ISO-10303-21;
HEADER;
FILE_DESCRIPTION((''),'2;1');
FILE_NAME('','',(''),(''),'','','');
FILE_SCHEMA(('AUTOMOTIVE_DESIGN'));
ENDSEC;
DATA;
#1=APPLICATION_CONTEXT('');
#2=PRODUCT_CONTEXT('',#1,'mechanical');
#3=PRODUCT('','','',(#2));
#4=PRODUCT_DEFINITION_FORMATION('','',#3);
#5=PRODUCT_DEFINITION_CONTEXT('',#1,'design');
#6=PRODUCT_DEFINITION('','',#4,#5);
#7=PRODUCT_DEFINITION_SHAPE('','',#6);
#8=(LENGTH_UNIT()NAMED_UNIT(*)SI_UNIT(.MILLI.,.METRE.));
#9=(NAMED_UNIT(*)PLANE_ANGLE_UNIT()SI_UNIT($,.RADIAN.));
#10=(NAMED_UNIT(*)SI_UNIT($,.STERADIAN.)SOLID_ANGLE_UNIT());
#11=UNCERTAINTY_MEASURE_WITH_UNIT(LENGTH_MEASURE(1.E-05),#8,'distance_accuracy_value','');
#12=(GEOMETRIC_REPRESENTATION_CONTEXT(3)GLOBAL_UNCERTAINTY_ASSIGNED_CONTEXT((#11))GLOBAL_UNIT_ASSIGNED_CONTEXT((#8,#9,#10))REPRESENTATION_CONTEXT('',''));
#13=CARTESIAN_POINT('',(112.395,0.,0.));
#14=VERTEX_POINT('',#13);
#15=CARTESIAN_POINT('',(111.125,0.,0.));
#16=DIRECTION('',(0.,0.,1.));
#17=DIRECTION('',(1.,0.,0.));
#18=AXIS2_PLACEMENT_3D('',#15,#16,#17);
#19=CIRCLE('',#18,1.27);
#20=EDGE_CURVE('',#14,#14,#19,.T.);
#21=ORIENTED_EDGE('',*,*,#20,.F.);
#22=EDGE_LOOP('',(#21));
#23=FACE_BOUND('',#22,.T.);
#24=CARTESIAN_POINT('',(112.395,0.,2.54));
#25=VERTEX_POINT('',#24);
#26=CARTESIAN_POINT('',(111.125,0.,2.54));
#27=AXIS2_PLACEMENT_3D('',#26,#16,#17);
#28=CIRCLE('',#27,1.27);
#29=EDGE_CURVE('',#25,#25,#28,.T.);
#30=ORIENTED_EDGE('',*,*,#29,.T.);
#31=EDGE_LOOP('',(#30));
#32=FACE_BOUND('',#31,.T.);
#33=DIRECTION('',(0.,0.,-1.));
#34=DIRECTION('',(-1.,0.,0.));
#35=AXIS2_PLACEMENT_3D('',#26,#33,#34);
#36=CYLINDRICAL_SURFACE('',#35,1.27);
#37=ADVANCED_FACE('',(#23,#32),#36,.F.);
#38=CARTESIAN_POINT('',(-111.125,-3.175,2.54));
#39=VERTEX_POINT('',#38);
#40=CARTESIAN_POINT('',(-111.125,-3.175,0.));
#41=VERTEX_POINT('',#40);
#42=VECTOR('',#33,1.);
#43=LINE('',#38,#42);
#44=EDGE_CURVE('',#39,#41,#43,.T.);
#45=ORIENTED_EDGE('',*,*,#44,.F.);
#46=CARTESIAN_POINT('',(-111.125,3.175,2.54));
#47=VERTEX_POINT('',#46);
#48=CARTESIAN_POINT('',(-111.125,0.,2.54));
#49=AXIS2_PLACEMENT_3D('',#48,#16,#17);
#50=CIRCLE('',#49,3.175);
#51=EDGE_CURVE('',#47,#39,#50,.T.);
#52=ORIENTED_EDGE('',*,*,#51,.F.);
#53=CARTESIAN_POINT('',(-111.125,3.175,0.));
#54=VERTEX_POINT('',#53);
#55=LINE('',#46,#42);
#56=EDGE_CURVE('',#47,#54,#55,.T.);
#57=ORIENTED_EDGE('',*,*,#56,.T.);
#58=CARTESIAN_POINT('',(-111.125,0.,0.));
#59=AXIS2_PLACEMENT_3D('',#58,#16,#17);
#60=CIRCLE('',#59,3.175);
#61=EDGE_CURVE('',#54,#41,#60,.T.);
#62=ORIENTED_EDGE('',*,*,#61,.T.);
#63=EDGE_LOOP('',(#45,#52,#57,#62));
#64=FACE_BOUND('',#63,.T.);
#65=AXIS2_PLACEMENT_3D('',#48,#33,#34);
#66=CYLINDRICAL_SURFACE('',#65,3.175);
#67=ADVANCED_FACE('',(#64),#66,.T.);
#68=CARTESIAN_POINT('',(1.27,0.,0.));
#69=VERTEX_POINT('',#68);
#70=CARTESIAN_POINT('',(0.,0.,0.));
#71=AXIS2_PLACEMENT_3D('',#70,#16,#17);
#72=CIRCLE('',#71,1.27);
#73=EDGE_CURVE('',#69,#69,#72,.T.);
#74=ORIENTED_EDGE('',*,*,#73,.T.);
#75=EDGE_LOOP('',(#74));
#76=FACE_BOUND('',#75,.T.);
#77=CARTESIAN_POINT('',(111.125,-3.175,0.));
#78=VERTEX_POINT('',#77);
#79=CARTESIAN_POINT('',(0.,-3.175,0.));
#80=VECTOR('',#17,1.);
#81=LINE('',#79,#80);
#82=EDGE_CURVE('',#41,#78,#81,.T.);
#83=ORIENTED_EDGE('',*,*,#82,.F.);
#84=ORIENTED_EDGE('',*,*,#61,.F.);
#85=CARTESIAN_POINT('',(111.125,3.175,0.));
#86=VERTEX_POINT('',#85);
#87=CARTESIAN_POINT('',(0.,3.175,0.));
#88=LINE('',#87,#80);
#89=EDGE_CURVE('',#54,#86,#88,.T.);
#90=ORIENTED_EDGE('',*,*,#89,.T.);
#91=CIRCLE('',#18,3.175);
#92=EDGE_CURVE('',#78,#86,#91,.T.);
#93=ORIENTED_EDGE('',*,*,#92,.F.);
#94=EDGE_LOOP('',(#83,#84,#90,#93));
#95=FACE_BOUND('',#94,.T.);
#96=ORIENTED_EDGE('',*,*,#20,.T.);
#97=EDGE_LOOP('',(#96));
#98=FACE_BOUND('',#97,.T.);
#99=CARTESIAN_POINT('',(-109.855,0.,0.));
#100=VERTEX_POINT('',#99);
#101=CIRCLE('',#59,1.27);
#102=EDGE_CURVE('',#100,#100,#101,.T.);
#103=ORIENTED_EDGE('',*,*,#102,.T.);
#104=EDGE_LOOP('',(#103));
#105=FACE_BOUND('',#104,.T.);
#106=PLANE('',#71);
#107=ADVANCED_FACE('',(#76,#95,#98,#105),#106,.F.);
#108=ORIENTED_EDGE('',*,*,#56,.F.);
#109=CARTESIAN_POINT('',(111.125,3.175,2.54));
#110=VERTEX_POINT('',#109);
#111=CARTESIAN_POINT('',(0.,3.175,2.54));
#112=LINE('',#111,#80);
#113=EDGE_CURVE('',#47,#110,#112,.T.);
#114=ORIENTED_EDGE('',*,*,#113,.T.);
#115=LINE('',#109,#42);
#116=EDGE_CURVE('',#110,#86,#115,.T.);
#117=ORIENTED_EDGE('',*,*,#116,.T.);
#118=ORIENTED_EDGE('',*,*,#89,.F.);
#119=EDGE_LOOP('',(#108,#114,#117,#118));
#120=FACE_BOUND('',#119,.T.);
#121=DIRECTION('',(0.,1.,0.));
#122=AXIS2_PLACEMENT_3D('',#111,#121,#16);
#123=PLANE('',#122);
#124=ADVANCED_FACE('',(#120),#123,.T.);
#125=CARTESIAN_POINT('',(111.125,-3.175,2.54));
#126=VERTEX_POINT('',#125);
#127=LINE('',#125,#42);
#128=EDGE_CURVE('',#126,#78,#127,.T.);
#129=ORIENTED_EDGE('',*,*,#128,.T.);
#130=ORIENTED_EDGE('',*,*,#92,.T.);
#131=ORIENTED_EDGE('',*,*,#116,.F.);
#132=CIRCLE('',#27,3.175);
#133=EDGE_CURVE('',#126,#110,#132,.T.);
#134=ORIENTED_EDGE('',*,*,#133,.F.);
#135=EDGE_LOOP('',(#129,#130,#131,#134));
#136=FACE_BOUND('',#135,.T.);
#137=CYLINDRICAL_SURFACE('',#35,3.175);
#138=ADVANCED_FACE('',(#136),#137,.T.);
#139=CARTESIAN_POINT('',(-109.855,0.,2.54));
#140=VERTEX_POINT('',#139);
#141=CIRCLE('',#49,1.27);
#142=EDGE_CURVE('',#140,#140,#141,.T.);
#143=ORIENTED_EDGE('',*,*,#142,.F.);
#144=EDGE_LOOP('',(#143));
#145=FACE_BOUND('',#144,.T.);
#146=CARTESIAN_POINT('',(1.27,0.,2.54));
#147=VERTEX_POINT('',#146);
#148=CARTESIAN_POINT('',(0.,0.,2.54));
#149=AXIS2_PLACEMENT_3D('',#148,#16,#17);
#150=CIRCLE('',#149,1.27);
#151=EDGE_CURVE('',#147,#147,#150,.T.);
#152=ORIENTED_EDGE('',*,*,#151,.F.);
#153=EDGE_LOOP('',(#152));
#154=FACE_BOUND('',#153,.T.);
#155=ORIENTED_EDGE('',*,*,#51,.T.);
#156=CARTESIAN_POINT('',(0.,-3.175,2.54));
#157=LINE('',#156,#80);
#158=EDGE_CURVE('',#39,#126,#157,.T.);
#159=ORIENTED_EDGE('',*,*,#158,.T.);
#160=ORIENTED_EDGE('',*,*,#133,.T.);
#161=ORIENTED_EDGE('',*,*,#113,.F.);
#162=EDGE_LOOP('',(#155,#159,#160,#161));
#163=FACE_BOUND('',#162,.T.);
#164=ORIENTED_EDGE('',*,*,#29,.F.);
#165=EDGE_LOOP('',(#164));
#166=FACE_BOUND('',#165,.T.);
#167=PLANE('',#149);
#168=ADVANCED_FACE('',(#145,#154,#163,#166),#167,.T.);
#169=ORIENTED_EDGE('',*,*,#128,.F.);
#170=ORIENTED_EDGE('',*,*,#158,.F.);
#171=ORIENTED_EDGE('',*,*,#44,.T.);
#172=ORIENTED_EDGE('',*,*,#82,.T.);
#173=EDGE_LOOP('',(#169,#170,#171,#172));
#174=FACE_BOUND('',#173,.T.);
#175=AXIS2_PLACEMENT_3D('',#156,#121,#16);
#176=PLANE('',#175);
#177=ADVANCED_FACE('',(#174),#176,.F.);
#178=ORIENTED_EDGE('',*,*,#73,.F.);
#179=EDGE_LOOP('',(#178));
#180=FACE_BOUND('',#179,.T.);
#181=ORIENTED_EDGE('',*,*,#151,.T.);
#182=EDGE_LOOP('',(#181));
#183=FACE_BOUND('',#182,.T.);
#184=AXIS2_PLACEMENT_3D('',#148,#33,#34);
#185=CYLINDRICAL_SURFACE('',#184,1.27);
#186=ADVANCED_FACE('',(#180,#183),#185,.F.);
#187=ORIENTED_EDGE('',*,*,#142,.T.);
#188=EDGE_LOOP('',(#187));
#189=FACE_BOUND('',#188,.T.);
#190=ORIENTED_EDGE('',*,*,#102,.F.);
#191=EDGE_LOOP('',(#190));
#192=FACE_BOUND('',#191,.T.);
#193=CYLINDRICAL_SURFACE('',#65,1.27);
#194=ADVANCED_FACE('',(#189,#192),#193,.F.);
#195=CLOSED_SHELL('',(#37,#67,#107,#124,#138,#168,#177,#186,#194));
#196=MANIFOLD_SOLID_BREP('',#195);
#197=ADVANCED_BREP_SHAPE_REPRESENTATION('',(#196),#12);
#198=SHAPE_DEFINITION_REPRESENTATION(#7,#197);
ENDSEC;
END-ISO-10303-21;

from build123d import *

# Parameters (mm, degrees)
SKETCH1_R           = 1.27
BOSS_EXTRUDE1_DEPTH = 2.54


with BuildPart() as part:
    # Sketch1 → Boss-Extrude1 (new body)
    with BuildSketch(Plane.XY):
        with BuildLine():
            Line((-111.125, -3.175), (111.125, -3.175))
            ThreePointArc((111.125, -3.175), (114.3, 0), (111.125, 3.175))
            Line((111.125, 3.175), (-111.125, 3.175))
            ThreePointArc((-111.125, 3.175), (-114.3, 0), (-111.125, -3.175))
        make_face()
        with Locations((-111.125, 0)):
            Circle(SKETCH1_R, mode=Mode.SUBTRACT)
        Circle(SKETCH1_R, mode=Mode.SUBTRACT)
        with Locations((111.125, 0)):
            Circle(SKETCH1_R, mode=Mode.SUBTRACT)
    extrude(amount=BOSS_EXTRUDE1_DEPTH)


solid = part.part
